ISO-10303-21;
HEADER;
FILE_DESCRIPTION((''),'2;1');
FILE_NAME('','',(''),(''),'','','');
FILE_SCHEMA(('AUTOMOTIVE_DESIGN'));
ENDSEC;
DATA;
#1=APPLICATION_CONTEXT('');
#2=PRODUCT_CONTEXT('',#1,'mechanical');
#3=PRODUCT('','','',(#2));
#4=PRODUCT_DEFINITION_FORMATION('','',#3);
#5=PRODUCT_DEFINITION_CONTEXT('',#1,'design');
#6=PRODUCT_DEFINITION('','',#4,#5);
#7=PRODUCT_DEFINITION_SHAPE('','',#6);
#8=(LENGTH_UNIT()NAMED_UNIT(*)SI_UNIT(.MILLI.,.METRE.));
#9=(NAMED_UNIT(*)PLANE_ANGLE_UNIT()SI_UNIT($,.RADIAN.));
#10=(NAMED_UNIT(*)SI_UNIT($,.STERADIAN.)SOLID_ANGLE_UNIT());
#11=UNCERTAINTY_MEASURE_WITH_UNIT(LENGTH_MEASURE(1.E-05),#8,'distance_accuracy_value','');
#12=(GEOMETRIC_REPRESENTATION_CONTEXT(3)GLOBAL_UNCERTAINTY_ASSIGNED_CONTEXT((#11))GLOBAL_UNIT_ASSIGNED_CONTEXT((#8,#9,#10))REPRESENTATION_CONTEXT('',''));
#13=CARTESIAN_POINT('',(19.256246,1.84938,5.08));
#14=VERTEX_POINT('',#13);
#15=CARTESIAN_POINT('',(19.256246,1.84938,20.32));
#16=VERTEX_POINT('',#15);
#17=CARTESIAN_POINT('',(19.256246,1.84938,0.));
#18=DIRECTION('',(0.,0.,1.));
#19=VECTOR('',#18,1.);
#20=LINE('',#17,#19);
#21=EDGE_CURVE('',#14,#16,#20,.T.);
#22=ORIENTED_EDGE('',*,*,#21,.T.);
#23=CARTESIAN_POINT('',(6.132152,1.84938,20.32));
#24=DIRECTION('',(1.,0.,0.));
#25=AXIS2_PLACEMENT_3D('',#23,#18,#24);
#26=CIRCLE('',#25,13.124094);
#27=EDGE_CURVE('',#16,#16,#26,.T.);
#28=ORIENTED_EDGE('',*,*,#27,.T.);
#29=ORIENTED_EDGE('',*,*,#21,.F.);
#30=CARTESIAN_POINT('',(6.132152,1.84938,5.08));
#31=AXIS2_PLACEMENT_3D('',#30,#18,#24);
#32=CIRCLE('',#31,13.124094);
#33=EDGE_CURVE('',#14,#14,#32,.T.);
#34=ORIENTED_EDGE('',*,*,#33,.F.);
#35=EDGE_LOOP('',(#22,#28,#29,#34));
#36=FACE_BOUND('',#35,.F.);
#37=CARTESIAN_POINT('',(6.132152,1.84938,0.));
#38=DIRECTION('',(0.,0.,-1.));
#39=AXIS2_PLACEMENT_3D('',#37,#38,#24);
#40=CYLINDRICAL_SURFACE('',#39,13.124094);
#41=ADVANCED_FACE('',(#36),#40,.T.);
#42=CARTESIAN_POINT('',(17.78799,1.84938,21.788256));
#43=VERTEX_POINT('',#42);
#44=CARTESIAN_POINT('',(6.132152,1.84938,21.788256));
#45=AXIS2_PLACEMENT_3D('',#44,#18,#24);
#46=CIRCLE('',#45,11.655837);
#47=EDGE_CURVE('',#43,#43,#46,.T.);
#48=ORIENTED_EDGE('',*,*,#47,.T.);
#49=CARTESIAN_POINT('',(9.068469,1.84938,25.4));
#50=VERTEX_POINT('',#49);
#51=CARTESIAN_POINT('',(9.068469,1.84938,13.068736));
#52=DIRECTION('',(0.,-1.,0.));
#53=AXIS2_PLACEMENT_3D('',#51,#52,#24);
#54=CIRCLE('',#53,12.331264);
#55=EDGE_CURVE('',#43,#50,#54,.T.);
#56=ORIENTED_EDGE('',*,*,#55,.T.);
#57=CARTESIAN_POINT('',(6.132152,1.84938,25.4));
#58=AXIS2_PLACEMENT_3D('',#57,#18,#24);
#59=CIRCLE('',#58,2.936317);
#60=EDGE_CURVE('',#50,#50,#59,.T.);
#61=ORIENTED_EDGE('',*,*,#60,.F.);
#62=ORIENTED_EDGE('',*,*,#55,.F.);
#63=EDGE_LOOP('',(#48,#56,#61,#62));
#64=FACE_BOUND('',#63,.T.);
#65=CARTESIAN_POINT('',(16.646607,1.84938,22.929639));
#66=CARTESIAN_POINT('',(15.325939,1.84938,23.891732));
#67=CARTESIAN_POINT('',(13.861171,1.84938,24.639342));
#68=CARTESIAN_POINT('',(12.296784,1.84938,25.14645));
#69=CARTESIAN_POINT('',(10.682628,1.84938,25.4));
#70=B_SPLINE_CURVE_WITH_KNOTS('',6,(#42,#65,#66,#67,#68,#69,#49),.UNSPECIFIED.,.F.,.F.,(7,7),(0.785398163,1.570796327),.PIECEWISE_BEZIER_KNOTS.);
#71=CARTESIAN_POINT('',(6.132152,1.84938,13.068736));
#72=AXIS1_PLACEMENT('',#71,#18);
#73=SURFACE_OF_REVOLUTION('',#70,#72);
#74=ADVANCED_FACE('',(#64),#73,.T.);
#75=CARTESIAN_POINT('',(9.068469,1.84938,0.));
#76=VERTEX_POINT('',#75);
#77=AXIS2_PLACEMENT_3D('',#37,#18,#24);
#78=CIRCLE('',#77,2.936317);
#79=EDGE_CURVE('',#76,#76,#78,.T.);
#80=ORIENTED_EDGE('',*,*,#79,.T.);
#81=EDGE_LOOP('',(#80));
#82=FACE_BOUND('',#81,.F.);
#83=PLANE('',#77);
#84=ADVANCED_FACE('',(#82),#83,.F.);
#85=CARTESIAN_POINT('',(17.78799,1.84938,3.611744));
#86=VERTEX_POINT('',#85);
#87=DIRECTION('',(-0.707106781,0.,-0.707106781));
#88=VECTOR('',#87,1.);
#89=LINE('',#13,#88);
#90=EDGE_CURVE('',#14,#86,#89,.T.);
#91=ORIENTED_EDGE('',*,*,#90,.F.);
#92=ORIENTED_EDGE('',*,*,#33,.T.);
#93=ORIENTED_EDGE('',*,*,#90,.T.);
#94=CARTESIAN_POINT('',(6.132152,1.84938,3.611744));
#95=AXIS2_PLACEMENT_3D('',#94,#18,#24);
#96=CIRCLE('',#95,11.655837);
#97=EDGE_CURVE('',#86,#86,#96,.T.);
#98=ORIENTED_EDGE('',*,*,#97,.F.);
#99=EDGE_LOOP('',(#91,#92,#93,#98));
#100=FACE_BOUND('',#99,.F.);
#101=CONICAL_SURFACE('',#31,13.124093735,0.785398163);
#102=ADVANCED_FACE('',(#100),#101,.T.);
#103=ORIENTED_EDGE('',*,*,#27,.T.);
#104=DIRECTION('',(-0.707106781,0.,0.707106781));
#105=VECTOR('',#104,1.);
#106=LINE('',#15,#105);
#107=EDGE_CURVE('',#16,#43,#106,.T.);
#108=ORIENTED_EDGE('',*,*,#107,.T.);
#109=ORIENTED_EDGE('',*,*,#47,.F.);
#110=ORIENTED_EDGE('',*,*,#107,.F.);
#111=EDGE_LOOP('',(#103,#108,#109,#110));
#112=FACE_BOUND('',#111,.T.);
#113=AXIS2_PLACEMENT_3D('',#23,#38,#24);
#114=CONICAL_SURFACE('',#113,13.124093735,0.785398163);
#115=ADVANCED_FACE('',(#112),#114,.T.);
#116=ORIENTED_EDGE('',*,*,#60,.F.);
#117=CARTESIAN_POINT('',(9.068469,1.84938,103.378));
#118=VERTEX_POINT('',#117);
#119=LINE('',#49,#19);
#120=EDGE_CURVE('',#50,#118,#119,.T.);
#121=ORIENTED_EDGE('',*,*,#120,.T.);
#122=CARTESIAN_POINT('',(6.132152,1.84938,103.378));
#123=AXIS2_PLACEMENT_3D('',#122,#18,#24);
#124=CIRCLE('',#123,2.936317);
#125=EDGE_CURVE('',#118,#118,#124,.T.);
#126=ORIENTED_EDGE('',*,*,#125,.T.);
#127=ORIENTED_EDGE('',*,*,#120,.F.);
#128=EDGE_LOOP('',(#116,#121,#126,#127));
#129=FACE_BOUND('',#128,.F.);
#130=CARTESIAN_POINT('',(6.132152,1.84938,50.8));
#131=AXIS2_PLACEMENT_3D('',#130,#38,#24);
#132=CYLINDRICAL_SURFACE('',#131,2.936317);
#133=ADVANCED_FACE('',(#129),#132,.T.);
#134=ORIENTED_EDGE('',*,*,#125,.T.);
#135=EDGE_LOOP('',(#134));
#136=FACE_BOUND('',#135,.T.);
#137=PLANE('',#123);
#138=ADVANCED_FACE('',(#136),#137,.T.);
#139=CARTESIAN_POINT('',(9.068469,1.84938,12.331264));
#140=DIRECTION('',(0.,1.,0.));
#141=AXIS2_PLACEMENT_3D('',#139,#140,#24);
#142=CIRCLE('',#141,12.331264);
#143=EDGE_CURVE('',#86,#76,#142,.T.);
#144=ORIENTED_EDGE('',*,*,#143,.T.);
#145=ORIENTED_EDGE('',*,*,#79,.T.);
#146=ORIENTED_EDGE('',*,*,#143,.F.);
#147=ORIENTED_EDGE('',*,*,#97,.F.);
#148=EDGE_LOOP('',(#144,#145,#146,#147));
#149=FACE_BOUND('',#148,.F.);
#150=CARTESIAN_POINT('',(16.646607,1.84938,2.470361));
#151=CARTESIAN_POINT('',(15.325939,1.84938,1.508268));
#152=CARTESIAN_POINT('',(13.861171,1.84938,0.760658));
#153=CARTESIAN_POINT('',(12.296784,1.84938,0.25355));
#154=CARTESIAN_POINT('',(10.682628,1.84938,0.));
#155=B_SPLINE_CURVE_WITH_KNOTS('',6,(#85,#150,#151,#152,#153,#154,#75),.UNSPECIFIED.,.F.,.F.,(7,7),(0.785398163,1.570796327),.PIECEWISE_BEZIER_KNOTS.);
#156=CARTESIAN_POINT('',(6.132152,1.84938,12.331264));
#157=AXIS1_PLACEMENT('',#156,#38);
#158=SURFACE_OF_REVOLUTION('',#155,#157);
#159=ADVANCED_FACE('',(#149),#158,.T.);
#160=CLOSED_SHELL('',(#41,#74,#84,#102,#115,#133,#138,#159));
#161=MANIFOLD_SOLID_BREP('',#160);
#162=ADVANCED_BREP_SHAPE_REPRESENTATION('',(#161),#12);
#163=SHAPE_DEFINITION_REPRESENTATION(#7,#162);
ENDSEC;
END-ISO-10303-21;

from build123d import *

# Parameters (mm, degrees)
F0_R     = 13.1240937351
F1_DEPTH = 25.4
F2_SIZE  = 5.08
F3_R     = 12.3312643235
F4_DEPTH = 25.4
F5_DEPTH = 52.578
F6_R     = 12.3312643235


with BuildPart() as f1:
    # F0 (on Top) → F1 (new body)
    with BuildSketch(Plane.XY):
        with Locations((6.1321523972, 1.8493796233)):
            Circle(F0_R)
    extrude(amount=F1_DEPTH)

    # F2
    f2_edges = [f1.edges().sort_by_distance(p)[0] for p in [
        (-6.991941, 1.84938, 25.4),
        (-6.991941, 1.84938, 0),
    ]]
    chamfer(f2_edges, length=F2_SIZE)

    # F3
    f3_edges = [f1.edges().sort_by_distance(p)[0] for p in [
        (-1.911941, 1.84938, 25.4),
    ]]
    fillet(f3_edges, radius=F3_R)

    # F4 (add): a face of the model
    f4_faces = [f1.faces().sort_by_distance(p)[0] for p in [
        (6.1321523972, 1.8493796233, 25.4),
    ]]
    extrude(f4_faces, amount=F4_DEPTH)

    # F5 (add): a face of the model
    f5_faces = [f1.faces().sort_by_distance(p)[0] for p in [
        (6.1321523972, 1.8493796233, 50.8),
    ]]
    extrude(f5_faces, amount=F5_DEPTH)

    # F6
    f6_edges = [f1.edges().sort_by_distance(p)[0] for p in [
        (-1.911941, 1.84938, 0),
    ]]
    fillet(f6_edges, radius=F6_R)


solid = f1.part
